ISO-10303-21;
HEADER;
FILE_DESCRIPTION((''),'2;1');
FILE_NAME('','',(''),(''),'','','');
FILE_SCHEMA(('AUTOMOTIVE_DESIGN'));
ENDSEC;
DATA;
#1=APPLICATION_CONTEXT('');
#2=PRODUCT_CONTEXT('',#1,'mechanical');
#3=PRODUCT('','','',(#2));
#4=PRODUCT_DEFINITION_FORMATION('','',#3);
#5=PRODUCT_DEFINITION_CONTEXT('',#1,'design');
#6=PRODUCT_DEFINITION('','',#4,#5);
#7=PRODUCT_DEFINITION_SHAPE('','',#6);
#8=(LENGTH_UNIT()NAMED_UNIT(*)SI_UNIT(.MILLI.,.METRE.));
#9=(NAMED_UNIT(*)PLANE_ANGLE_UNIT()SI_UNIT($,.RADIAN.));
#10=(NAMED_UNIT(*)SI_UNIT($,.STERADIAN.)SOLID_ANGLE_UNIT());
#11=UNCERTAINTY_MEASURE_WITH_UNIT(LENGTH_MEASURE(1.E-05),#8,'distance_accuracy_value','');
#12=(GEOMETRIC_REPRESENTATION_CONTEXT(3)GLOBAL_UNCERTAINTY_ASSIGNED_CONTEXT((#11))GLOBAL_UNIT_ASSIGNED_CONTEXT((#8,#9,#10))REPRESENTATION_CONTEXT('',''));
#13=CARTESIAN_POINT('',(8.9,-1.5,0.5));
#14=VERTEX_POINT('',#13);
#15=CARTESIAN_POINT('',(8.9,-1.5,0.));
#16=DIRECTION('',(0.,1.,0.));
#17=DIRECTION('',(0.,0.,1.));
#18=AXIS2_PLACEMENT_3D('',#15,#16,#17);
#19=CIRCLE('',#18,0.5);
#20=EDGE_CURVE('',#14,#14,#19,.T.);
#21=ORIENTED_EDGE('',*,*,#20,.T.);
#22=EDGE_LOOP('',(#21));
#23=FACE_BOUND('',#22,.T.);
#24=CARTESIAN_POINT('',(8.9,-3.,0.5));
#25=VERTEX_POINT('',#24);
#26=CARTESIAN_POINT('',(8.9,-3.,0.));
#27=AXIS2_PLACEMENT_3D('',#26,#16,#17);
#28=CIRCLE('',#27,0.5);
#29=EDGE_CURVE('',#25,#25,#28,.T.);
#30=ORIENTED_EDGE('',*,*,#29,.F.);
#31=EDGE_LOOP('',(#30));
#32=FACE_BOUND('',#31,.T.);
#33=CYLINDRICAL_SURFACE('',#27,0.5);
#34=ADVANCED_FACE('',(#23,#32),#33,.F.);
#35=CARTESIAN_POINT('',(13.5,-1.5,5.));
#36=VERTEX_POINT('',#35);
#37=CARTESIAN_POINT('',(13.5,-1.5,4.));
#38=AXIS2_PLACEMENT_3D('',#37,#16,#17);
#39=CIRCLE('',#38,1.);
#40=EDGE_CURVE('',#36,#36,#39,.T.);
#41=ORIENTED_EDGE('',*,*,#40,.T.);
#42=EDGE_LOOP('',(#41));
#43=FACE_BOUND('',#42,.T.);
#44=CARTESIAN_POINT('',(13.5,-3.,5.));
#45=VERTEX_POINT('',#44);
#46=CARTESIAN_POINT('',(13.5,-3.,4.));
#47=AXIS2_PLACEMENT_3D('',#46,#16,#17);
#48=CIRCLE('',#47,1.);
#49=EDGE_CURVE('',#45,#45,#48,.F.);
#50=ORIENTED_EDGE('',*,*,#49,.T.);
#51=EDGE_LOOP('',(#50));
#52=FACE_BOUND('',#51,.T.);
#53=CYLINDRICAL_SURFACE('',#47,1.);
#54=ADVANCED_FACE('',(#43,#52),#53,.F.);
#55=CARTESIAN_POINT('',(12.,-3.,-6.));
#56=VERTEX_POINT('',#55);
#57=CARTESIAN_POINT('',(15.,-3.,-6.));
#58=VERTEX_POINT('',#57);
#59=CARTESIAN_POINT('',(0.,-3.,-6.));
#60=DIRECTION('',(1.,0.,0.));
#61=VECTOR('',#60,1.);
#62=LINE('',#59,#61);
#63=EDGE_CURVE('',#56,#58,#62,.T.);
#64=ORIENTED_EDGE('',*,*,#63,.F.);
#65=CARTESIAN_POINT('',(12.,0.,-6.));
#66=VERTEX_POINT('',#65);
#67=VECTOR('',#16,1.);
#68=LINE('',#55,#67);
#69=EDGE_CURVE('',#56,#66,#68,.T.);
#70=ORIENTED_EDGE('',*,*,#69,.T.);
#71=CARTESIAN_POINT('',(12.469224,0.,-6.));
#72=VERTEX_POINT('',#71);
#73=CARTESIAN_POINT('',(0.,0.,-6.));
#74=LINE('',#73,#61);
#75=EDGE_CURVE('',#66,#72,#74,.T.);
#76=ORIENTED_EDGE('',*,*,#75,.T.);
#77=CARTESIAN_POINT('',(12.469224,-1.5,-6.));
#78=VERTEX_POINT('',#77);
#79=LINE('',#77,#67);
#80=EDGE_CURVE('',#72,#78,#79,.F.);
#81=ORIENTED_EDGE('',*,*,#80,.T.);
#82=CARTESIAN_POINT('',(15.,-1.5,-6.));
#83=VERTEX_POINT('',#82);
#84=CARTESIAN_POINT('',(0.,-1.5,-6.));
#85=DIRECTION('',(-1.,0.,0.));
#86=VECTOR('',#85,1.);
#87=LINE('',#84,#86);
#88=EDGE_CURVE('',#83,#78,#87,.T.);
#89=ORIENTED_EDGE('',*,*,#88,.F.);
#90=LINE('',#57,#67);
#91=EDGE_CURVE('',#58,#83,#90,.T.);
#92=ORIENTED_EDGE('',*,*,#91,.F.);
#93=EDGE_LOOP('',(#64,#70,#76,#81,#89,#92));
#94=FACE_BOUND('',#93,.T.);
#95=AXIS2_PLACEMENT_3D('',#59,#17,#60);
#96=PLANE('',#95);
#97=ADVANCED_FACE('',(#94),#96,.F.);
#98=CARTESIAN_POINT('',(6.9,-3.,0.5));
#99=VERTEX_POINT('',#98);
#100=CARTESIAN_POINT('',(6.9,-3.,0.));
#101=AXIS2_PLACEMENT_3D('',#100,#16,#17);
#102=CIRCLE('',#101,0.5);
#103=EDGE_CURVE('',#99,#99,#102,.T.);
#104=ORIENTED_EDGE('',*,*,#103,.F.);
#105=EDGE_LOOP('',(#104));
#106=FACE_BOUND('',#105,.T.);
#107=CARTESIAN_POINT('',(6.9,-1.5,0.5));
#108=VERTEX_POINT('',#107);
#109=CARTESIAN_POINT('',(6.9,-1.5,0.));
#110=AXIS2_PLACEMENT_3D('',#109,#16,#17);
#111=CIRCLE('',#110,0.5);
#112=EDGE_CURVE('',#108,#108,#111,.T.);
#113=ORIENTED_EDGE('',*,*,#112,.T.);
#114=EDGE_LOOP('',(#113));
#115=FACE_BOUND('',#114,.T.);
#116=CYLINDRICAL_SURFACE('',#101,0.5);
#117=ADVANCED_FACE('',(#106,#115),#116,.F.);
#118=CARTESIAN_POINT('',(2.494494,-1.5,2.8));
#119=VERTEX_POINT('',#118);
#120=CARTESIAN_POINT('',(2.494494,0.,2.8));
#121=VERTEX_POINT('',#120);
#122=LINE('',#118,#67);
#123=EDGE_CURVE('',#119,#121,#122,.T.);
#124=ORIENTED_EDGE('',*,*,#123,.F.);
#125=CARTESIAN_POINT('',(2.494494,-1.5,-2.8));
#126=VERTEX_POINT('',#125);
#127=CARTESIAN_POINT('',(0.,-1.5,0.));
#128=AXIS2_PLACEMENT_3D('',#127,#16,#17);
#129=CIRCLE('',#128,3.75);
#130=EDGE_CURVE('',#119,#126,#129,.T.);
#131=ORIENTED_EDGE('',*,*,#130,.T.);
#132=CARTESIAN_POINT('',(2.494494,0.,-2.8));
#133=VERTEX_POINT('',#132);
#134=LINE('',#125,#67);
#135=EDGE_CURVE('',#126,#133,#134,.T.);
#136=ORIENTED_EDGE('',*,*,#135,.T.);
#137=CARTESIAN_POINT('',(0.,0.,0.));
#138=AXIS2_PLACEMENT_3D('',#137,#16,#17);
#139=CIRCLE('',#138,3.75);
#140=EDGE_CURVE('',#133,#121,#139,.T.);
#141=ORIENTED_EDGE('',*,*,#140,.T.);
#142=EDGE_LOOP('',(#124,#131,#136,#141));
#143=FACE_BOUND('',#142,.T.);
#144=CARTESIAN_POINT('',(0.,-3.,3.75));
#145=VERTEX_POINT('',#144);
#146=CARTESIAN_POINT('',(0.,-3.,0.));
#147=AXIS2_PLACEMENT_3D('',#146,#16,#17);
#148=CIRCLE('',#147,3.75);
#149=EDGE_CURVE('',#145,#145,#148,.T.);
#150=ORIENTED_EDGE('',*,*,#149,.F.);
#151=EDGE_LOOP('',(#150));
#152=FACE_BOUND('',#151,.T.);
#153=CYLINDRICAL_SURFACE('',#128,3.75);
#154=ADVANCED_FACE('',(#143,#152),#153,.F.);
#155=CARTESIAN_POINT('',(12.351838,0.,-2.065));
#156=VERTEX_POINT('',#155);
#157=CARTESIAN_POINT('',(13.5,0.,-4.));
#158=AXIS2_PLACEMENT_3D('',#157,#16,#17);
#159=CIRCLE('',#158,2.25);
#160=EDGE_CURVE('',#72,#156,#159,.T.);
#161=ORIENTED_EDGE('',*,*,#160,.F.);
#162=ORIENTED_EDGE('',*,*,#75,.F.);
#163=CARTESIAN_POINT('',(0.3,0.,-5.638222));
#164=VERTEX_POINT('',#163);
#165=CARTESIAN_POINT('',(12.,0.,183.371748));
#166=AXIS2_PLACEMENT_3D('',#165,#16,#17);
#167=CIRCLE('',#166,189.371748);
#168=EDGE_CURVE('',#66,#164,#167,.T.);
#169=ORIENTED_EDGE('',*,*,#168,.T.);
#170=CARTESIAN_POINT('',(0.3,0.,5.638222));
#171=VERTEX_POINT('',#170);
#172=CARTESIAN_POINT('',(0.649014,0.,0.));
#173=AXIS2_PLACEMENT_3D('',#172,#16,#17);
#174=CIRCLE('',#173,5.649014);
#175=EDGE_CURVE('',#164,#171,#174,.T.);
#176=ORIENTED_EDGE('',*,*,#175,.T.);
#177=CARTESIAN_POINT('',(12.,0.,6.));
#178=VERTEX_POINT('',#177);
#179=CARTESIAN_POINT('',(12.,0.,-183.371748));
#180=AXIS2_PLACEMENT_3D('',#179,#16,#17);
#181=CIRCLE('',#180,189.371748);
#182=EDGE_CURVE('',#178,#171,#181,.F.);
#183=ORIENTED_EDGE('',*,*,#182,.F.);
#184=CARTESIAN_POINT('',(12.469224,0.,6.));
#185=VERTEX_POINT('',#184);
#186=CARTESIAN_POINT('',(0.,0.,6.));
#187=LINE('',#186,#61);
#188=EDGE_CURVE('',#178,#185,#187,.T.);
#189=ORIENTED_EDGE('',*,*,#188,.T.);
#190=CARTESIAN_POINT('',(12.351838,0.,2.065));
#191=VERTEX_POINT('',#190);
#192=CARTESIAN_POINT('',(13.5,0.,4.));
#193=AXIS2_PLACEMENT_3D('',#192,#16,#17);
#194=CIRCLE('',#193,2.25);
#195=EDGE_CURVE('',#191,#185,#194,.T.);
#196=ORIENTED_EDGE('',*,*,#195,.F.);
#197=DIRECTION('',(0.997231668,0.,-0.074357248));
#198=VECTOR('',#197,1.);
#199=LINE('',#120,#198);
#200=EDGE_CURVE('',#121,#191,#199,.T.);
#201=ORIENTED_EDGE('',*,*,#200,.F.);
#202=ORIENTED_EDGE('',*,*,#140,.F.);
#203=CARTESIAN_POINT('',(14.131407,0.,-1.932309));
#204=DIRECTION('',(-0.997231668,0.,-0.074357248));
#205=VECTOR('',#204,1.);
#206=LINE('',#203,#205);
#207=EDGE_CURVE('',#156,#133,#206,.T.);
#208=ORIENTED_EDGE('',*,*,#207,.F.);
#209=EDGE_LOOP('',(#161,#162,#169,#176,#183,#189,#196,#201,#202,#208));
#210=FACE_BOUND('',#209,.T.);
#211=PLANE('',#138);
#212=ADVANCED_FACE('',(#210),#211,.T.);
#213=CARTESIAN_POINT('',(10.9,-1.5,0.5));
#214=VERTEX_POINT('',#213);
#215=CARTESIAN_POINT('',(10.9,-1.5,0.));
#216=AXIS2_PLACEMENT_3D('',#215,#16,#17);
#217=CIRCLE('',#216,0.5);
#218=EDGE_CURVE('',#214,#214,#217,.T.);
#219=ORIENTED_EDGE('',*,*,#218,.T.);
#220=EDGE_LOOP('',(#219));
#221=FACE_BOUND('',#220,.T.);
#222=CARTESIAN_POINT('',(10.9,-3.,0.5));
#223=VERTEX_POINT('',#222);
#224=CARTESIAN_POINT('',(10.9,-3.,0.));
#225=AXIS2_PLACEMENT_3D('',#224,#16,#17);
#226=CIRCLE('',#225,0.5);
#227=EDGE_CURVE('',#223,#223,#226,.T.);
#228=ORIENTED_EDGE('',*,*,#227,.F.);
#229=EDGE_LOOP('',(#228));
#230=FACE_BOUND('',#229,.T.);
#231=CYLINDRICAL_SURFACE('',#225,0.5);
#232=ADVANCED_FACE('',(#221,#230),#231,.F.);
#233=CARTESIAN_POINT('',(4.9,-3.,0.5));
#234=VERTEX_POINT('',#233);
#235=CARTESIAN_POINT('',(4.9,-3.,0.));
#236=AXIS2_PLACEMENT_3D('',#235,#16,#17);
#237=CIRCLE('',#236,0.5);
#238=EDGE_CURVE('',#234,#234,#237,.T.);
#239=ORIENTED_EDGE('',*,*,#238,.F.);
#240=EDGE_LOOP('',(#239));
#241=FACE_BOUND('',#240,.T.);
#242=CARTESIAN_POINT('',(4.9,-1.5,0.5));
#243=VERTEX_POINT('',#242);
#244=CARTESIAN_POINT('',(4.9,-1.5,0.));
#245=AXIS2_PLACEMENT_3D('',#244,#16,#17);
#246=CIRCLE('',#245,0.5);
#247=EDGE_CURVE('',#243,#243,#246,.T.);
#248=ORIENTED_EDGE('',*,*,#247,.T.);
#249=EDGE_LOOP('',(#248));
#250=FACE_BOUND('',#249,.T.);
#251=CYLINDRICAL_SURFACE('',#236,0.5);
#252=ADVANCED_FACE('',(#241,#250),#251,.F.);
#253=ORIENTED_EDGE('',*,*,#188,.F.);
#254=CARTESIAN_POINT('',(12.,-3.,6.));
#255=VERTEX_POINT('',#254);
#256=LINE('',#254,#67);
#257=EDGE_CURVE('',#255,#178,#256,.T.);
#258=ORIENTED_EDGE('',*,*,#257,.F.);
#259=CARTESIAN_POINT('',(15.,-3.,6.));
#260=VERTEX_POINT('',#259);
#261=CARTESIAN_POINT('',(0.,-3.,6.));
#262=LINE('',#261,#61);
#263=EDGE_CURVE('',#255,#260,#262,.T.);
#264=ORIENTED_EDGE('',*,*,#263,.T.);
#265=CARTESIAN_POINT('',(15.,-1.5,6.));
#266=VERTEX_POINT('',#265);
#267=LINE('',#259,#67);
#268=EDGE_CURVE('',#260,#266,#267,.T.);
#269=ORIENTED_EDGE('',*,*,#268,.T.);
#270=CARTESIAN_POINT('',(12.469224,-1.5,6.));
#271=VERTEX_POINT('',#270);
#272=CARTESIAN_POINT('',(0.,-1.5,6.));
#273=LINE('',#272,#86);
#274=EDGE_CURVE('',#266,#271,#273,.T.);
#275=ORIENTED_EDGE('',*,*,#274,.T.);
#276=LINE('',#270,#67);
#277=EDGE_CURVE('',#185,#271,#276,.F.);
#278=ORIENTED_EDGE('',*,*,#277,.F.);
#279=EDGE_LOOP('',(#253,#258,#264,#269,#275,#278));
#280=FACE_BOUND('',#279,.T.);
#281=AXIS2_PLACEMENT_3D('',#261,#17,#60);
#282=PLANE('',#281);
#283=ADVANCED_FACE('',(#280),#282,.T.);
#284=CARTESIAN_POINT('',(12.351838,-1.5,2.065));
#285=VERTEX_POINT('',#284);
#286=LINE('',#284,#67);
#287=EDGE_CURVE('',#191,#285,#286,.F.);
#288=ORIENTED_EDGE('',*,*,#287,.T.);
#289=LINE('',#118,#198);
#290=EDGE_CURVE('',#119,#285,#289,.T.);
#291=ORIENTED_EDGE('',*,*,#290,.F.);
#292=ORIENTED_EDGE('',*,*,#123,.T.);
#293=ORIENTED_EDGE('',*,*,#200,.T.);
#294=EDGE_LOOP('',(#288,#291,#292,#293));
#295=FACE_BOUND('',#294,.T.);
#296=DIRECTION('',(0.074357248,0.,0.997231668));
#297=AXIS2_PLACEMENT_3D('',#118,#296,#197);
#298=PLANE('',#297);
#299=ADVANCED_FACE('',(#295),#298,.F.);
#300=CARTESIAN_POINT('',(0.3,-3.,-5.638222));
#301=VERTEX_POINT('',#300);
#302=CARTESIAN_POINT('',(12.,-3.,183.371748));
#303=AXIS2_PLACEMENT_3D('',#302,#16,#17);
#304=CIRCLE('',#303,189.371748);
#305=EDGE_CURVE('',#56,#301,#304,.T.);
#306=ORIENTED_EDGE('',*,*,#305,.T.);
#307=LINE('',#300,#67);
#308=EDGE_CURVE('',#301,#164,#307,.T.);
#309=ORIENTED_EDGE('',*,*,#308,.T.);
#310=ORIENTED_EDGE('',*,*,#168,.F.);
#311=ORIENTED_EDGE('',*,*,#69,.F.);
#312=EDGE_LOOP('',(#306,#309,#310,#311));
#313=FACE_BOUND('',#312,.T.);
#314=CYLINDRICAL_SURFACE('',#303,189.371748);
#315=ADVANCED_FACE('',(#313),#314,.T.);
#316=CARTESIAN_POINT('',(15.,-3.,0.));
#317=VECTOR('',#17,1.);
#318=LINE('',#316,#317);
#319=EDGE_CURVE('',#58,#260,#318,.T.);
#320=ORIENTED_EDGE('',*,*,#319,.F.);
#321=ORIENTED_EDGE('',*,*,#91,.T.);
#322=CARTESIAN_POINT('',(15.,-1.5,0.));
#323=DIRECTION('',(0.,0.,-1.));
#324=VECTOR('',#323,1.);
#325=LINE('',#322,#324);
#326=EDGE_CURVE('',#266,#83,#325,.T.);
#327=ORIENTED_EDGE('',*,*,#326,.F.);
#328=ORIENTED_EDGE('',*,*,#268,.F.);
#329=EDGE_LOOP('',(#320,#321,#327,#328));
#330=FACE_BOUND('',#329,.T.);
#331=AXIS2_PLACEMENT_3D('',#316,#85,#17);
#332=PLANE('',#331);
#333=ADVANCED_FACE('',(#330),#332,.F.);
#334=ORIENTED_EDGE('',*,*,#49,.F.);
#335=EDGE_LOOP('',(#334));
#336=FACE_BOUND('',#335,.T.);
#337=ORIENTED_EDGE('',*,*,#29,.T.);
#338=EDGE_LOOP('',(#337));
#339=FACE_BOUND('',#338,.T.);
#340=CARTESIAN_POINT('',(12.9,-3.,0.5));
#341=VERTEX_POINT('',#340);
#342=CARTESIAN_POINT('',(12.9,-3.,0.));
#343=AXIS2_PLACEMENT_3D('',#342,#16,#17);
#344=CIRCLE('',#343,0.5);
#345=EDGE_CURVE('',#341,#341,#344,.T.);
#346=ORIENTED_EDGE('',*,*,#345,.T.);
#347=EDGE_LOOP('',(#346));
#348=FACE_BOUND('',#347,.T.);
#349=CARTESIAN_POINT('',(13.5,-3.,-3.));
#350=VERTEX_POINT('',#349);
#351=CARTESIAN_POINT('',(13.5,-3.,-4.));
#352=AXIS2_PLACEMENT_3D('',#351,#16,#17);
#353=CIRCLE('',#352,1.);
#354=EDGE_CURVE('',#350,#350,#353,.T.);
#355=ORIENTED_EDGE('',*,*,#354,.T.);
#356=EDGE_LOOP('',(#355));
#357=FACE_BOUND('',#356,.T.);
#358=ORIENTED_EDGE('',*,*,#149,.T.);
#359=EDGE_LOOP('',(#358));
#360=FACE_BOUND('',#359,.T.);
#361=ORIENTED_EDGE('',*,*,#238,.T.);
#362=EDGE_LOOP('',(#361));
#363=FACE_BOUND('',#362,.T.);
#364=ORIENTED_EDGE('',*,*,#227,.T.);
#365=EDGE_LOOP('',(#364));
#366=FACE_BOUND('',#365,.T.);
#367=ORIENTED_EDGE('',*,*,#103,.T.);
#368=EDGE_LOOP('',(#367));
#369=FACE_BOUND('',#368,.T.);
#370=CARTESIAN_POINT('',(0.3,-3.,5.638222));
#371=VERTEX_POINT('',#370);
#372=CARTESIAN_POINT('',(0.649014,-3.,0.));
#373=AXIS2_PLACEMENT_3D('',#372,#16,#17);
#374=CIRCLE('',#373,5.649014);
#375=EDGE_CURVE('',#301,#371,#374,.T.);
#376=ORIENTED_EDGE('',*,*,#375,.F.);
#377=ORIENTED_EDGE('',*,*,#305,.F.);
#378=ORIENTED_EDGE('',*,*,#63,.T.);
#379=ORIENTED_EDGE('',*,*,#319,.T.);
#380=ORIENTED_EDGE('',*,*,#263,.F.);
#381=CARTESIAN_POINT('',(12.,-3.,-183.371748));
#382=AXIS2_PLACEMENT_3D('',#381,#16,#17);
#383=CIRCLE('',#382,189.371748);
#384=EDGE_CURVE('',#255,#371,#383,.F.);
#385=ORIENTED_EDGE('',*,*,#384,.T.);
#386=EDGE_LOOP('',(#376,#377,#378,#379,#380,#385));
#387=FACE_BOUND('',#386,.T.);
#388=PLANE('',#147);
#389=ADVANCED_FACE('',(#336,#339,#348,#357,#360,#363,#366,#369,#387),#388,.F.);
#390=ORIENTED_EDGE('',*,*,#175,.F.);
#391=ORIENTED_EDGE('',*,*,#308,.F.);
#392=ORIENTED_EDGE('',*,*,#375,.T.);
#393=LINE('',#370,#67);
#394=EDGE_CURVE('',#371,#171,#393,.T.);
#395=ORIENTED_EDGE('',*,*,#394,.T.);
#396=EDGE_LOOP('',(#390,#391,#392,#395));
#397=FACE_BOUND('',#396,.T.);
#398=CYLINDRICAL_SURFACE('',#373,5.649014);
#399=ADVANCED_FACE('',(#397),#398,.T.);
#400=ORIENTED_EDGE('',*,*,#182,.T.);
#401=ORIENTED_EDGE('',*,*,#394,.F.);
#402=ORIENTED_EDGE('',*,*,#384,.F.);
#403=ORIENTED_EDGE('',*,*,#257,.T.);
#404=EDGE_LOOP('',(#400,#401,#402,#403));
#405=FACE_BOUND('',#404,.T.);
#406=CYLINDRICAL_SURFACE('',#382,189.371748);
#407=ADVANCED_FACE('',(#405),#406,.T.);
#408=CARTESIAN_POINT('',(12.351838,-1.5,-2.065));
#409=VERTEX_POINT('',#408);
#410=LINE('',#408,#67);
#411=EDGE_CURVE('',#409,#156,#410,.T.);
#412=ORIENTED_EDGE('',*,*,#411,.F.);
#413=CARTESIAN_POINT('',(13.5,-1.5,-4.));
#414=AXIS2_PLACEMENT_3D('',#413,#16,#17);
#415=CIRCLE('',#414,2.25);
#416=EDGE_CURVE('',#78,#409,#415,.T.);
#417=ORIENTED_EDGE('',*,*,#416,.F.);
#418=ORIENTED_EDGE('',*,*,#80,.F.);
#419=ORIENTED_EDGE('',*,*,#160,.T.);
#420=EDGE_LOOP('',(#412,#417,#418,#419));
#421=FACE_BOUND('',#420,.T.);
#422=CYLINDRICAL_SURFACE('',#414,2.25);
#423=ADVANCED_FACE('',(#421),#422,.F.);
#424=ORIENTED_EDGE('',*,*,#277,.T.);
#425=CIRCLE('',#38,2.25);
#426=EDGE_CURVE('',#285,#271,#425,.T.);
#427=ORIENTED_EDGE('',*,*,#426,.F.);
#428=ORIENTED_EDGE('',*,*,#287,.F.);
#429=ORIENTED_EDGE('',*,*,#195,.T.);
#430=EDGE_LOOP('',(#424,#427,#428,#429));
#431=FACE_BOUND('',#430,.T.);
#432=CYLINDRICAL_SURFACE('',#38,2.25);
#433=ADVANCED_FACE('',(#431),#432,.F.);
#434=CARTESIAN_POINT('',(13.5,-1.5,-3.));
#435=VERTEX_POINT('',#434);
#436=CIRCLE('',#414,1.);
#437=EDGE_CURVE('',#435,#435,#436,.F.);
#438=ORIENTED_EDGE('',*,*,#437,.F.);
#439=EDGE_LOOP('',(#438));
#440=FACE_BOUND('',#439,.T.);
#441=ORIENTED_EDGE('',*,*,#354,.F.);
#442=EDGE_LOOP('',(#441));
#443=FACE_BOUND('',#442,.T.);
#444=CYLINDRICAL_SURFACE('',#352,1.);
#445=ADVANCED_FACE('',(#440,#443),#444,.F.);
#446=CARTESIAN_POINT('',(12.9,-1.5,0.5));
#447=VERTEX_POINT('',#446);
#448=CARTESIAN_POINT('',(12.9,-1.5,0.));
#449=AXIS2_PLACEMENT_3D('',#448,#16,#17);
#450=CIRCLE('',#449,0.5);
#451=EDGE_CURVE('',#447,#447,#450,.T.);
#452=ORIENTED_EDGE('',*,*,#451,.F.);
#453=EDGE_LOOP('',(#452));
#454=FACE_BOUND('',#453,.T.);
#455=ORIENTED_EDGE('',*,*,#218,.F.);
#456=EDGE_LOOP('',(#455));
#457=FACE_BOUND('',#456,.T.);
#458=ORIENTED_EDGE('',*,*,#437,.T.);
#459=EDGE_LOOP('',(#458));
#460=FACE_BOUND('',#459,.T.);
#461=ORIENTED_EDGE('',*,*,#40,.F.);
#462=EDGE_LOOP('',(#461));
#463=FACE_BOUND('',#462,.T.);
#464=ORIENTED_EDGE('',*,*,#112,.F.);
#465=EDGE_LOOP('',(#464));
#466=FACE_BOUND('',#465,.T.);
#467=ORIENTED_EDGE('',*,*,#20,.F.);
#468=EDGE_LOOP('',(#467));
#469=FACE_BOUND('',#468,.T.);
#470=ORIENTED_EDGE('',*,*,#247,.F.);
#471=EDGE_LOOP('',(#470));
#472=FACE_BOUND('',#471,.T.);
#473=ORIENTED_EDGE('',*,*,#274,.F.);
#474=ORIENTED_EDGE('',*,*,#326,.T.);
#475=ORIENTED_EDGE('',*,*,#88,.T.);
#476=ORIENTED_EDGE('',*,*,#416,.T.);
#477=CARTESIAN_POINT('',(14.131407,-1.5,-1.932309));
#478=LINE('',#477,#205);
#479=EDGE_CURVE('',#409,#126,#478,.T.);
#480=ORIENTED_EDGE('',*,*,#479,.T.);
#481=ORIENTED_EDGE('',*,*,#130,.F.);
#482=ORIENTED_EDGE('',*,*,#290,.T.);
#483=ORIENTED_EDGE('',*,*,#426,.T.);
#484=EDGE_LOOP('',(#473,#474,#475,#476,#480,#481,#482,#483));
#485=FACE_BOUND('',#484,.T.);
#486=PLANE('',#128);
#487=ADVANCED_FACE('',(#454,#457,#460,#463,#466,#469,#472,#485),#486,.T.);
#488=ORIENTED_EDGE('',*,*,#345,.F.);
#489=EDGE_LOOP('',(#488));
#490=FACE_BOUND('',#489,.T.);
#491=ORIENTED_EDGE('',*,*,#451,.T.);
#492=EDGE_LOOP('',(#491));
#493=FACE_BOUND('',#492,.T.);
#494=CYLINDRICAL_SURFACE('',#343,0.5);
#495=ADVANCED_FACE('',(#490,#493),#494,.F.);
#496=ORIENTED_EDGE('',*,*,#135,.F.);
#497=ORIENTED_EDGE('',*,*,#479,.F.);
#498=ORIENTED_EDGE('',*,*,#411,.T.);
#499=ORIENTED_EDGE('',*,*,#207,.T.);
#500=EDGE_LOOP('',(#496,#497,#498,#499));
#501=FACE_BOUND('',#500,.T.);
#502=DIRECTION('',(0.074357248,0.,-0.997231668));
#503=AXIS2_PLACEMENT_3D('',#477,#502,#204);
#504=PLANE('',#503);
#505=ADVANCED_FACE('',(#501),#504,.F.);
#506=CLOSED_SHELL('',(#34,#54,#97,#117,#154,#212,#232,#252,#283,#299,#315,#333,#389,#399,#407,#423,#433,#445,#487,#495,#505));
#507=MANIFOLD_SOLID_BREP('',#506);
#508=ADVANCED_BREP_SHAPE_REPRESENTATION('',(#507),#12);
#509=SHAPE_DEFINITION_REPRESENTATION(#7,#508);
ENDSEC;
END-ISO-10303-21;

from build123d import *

# Parameters (mm, degrees)
SKETCH1_R               = 1
SKETCH1_R_2             = 2.35
BOSS_EXTRUDE1_DEPTH     = 3
ENL_V_MAT_EXTRU_1_DEPTH = 1.5
ESQUISSE3_R             = 0.5
ESQUISSE3_R_2           = 3.75
ENL_V_MAT_EXTRU_7_DEPTH = 17.224980878
ENL_V_MAT_EXTRU_8_DEPTH = 1.5


with BuildPart() as part:
    # Sketch1 → Boss-Extrude1 (new body)
    with BuildSketch(Plane(origin=(0, 0, 0), x_dir=(1, 0, 0), z_dir=(0, 1, 0))):
        with BuildLine():
            Line((15, 6), (12, 6))
            ThreePointArc((12, 6), (6.147204023, 5.909534011), (0.3, 5.638222479))
            ThreePointArc((0.3, 5.638222479), (-5, 0), (0.3, -5.638222479))
            ThreePointArc((0.3, -5.638222479), (6.147204023, -5.909534011), (12, -6))
            Line((12, -6), (15, -6))
            Line((15, -6), (15, 6))
        make_face()
        with Locations(Location((13.5, -4, 0), (0, 0, 270))):
            Circle(SKETCH1_R, mode=Mode.SUBTRACT)
        with Locations(Location((13.5, 4, 0), (0, 0, 270))):
            Circle(SKETCH1_R, mode=Mode.SUBTRACT)
        with Locations(Location((0, 0, 0), (0, 0, 270))):
            Circle(SKETCH1_R_2, mode=Mode.SUBTRACT)
    extrude(amount=-BOSS_EXTRUDE1_DEPTH)

    # Esquisse1 → Enlèv. mat.-Extru.1 (cut)
    with BuildSketch(Plane(origin=(0, 0, 0), x_dir=(1, 0, 0), z_dir=(0, 1, 0))):
        with BuildLine():
            Line((2.494493937, -2.8), (14.131406802, -1.932309126))
            add(Edge.make_bspline(
                [(14.131406802, -1.932309126), (14.497286128, -1.904835216), (14.827491954, -1.746052706), (15.157338026, -1.587443187), (15.407154881, -1.318584734), (15.656200737, -1.050556048), (15.790562016, -0.709168668), (15.92490372, -0.367831024), (15.925, 0), (15.925095847, 0.366175279), (15.791018176, 0.708007672), (15.657374187, 1.048734388), (15.407835717, 1.317851242), (15.159067388, 1.586137532), (14.828615817, 1.74551148), (14.498449498, 1.904747853), (14.131406802, 1.932309126)],
                knots=[0, 0, 0, 0.125, 0.125, 0.25, 0.25, 0.375, 0.375, 0.5, 0.5, 0.625, 0.625, 0.75, 0.75, 0.875, 0.875, 1, 1, 1], degree=2))
            Line((14.131406802, 1.932309126), (2.494493937, 2.8))
            ThreePointArc((2.494493937, 2.8), (-3.75, 0), (2.494493937, -2.8))
        make_face()
    extrude(amount=-ENL_V_MAT_EXTRU_1_DEPTH, mode=Mode.SUBTRACT)

    # Esquisse3 → Enlèv. mat.-Extru.7 (cut, through all)
    with BuildSketch(Plane(origin=(0, -1.5, 0), x_dir=(1, 0, 0), z_dir=(0, 1, 0))):
        with Locations(Location((4.9, 0, 0), (0, 0, 270))):
            Circle(ESQUISSE3_R)
        with Locations(Location((6.9, 0, 0), (0, 0, 270))):
            Circle(ESQUISSE3_R)
        with Locations(Location((8.9, 0, 0), (0, 0, 270))):
            Circle(ESQUISSE3_R)
        with Locations(Location((10.9, 0, 0), (0, 0, 270))):
            Circle(ESQUISSE3_R)
        with Locations(Location((12.9, 0, 0), (0, 0, 270))):
            Circle(ESQUISSE3_R)
        with Locations(Location((0, 0, 0), (0, 0, 270))):
            Circle(ESQUISSE3_R_2)
    extrude(amount=-ENL_V_MAT_EXTRU_7_DEPTH, mode=Mode.SUBTRACT)

    # Esquisse4 → Enlèv. mat.-Extru.8 (cut)
    with BuildSketch(Plane(origin=(0, 0, 0), x_dir=(1, 0, 0), z_dir=(0, 1, 0))):
        with BuildLine():
            Line((13.5, -1.75), (13.5, 1.75))
            ThreePointArc((13.5, 1.75), (11.25, 4), (13.5, 6.25))
            Line((13.5, 6.25), (13.5, 7.352249371))
            Line((13.5, 7.352249371), (16.575189436, 7.352249371))
            Line((16.575189436, 7.352249371), (16.575189436, -9.01785128))
            Line((16.575189436, -9.01785128), (13.5, -9.01785128))
            Line((13.5, -9.01785128), (13.5, -6.25))
            ThreePointArc((13.5, -6.25), (11.25, -4), (13.5, -1.75))
        make_face()
    extrude(amount=-ENL_V_MAT_EXTRU_8_DEPTH, mode=Mode.SUBTRACT)


solid = part.part
